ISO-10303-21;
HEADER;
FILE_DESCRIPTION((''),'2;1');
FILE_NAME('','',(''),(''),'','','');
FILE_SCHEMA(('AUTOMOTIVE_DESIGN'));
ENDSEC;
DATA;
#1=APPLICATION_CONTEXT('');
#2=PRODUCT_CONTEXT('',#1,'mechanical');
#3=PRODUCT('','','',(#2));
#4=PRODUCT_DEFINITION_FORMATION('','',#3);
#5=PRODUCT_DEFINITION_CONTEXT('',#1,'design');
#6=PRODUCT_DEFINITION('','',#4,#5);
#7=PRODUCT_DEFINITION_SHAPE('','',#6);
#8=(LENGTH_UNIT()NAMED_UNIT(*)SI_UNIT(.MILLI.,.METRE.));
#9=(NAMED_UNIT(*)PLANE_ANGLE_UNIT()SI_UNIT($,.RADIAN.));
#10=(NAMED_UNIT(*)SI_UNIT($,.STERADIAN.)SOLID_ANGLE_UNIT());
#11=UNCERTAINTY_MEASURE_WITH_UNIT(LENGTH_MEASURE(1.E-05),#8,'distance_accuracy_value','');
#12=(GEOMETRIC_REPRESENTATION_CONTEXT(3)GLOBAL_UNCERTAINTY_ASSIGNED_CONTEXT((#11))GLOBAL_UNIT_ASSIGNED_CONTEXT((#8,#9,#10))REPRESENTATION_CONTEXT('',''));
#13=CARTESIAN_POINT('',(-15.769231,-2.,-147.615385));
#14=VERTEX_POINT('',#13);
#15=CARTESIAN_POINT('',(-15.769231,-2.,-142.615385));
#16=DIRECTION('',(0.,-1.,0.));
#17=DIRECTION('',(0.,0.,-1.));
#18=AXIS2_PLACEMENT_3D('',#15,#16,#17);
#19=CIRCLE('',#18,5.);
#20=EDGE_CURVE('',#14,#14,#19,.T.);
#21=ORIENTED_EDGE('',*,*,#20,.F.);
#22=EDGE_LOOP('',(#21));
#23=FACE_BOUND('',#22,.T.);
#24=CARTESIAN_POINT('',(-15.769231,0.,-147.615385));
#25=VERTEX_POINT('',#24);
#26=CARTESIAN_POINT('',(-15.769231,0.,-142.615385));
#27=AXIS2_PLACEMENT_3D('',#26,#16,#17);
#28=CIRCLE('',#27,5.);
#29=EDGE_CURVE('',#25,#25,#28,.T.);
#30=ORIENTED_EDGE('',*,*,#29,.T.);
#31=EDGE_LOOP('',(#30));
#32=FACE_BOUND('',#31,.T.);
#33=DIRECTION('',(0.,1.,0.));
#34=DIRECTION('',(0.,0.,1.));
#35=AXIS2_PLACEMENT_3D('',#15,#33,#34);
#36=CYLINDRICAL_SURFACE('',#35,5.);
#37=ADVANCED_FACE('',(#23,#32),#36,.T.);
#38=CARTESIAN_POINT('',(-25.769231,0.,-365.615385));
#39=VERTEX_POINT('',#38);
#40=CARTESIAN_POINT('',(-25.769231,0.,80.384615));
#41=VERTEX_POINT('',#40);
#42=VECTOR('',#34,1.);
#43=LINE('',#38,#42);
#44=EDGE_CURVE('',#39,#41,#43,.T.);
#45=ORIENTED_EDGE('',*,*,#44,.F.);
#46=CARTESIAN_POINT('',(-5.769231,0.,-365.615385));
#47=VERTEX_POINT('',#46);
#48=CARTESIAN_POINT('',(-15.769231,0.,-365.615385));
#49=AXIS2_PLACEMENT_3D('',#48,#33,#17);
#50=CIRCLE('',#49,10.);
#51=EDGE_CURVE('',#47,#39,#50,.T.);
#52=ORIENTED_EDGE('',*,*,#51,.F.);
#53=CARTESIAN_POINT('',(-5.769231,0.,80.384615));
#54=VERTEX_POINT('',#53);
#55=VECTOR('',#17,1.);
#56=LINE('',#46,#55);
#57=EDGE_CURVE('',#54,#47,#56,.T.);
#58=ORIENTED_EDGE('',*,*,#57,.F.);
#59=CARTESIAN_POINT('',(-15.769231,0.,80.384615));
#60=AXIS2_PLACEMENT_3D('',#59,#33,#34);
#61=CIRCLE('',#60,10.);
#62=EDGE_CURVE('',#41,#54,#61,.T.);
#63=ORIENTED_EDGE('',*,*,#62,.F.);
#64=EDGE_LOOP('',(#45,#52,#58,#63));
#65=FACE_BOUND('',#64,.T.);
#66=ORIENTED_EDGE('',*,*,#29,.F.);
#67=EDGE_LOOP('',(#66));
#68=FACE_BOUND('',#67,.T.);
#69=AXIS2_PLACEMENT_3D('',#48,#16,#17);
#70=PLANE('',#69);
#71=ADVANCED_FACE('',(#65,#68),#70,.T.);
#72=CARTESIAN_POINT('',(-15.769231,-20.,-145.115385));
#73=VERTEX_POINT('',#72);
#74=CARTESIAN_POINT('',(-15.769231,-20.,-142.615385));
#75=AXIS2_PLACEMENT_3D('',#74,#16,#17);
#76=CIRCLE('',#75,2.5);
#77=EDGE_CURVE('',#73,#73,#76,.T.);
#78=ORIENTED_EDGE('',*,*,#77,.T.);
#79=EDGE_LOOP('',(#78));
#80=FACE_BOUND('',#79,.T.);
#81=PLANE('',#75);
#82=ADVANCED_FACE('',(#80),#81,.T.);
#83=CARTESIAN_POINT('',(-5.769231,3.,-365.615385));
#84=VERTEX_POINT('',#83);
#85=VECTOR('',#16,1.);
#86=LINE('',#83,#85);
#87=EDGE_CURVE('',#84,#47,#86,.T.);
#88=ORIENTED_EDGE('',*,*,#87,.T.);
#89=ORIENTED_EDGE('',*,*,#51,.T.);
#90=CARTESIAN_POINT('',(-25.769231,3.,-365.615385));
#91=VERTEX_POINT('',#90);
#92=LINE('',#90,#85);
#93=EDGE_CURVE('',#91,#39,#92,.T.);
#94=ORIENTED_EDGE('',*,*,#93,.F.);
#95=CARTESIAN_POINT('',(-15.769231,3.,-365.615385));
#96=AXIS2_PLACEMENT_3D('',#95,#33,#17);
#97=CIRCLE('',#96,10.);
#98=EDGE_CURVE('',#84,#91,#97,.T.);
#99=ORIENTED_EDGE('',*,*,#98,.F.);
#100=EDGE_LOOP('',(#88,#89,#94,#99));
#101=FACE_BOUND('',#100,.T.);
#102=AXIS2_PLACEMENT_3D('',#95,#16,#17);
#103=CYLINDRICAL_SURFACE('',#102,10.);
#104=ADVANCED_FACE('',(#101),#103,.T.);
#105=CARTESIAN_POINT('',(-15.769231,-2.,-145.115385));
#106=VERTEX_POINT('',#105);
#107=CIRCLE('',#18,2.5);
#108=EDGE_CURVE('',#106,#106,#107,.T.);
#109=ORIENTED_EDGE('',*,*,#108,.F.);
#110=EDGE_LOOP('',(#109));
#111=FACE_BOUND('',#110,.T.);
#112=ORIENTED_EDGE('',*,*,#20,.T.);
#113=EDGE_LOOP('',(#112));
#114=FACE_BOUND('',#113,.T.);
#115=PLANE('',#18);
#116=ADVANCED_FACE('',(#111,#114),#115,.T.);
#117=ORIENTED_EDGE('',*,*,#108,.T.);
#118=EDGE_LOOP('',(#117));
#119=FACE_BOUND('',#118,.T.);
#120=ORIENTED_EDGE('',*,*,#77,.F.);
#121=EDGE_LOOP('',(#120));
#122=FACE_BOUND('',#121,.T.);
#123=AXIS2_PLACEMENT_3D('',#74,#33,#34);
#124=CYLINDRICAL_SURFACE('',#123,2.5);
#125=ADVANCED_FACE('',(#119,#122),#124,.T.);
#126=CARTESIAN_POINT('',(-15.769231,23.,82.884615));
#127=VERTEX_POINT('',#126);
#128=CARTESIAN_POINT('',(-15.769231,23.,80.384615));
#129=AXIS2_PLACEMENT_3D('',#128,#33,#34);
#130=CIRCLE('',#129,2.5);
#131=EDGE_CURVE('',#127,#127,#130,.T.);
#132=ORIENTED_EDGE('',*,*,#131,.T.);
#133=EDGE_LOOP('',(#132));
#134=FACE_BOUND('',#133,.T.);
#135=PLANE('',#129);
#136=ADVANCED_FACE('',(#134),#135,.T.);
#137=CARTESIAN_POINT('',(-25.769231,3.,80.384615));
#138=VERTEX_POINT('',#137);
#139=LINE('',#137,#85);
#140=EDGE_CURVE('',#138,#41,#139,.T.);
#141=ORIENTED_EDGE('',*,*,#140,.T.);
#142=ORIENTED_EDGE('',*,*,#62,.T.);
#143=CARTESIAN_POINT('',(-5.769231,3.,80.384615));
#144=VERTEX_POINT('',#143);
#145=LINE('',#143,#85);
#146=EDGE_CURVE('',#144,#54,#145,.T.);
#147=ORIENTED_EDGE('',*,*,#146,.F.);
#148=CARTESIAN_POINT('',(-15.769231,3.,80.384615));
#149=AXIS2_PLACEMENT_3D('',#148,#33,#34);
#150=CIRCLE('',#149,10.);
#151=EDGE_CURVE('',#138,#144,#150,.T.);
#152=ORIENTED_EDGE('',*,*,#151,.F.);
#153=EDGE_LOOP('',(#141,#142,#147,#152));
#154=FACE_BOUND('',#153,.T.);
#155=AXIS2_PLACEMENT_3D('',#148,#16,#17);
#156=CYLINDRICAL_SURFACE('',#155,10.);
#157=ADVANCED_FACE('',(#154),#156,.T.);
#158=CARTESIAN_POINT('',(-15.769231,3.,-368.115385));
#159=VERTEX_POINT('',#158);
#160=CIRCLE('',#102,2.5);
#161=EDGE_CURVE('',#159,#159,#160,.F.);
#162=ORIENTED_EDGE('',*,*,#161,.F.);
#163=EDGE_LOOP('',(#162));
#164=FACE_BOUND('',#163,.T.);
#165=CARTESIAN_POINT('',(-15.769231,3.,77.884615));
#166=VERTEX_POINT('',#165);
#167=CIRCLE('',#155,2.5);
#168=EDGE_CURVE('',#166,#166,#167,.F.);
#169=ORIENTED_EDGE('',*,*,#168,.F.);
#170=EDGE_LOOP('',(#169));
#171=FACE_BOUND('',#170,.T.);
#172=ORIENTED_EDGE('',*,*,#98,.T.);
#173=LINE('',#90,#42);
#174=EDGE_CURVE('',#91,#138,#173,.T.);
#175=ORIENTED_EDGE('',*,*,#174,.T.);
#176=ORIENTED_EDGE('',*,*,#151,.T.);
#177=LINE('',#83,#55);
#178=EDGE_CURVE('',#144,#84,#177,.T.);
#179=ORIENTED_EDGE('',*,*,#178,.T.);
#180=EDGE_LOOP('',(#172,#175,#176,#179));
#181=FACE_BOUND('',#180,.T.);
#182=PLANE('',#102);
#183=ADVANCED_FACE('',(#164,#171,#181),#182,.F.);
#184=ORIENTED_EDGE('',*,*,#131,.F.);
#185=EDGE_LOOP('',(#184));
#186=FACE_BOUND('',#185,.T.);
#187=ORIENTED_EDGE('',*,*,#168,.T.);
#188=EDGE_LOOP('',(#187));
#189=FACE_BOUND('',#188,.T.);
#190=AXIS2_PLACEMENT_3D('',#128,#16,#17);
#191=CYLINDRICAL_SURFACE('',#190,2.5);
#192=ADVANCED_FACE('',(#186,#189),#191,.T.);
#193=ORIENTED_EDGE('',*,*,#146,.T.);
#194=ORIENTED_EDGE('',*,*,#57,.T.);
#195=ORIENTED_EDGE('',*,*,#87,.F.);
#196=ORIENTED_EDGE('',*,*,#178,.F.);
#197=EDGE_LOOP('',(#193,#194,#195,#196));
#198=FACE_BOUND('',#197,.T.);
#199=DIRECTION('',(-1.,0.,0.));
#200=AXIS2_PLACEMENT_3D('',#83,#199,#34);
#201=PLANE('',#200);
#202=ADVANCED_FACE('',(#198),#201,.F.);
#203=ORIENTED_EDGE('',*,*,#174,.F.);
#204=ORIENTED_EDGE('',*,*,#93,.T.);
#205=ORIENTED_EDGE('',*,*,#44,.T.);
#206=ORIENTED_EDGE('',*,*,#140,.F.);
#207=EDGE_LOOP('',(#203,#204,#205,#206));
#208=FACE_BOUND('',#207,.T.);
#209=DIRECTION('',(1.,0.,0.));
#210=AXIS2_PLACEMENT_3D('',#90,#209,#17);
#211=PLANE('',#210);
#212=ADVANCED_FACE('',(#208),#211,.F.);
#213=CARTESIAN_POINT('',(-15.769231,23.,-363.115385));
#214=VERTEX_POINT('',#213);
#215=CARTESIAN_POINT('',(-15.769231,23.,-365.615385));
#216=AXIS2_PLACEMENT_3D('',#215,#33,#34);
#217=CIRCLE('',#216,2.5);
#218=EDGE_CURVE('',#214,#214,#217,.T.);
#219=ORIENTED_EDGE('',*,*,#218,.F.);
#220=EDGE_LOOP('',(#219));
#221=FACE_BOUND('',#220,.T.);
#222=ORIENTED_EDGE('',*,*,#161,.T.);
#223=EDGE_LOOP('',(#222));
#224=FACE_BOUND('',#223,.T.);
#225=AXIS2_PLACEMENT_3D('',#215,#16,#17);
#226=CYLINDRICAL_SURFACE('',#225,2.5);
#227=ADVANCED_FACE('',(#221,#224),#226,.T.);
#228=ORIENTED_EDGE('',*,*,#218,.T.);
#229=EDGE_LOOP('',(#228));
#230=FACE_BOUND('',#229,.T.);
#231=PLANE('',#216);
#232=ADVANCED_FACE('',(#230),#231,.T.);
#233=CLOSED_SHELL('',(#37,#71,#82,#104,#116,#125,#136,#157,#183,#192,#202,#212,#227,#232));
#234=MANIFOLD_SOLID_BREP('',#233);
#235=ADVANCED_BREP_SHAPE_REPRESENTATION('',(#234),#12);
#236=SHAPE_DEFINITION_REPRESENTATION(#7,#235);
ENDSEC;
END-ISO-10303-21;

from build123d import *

# Parameters (mm, degrees)
BOSS_EXTRUDE1_DEPTH = 3
SKETCH2_R           = 2.5
BOSS_EXTRUDE2_DEPTH = 20
SKETCH3_R           = 5
BOSS_EXTRUDE3_DEPTH = 2
SKETCH4_R           = 2.5
BOSS_EXTRUDE4_DEPTH = 18


with BuildPart() as part:
    # Sketch1 → Boss-Extrude1 (new body)
    with BuildSketch(Plane(origin=(0, 0, 0), x_dir=(1, 0, 0), z_dir=(0, 1, 0))):
        with BuildLine():
            Line((-25.769230769, 365.615384615), (-25.769230769, -80.384615385))
            ThreePointArc((-25.769230769, -80.384615385), (-15.769230769, -90.384615385), (-5.769230769, -80.384615385))
            Line((-5.769230769, -80.384615385), (-5.769230769, 365.615384615))
            ThreePointArc((-5.769230769, 365.615384615), (-15.769230769, 375.615384615), (-25.769230769, 365.615384615))
        make_face()
    extrude(amount=BOSS_EXTRUDE1_DEPTH)

    # Sketch2 → Boss-Extrude2 (add)
    with BuildSketch(Plane(origin=(0, 3, 0), x_dir=(1, 0, 0), z_dir=(0, 1, 0))):
        with Locations(Location((-15.769230769, -80.384615385, 0), (0, 0, 90))):
            Circle(SKETCH2_R)
        with Locations(Location((-15.769230769, 365.615384615, 0), (0, 0, 90))):
            Circle(SKETCH2_R)
    extrude(amount=BOSS_EXTRUDE2_DEPTH)

    # Sketch3 → Boss-Extrude3 (add)
    with BuildSketch(Plane.XZ):
        with Locations(Location((-15.769230769, -142.615384615, 0), (0, 0, 270))):
            Circle(SKETCH3_R)
    extrude(amount=BOSS_EXTRUDE3_DEPTH)

    # Sketch4 → Boss-Extrude4 (add)
    with BuildSketch(Plane.XZ.offset(2)):
        with Locations(Location((-15.769230769, -142.615384615, 0), (0, 0, 270))):
            Circle(SKETCH4_R)
    extrude(amount=BOSS_EXTRUDE4_DEPTH)


solid = part.part
